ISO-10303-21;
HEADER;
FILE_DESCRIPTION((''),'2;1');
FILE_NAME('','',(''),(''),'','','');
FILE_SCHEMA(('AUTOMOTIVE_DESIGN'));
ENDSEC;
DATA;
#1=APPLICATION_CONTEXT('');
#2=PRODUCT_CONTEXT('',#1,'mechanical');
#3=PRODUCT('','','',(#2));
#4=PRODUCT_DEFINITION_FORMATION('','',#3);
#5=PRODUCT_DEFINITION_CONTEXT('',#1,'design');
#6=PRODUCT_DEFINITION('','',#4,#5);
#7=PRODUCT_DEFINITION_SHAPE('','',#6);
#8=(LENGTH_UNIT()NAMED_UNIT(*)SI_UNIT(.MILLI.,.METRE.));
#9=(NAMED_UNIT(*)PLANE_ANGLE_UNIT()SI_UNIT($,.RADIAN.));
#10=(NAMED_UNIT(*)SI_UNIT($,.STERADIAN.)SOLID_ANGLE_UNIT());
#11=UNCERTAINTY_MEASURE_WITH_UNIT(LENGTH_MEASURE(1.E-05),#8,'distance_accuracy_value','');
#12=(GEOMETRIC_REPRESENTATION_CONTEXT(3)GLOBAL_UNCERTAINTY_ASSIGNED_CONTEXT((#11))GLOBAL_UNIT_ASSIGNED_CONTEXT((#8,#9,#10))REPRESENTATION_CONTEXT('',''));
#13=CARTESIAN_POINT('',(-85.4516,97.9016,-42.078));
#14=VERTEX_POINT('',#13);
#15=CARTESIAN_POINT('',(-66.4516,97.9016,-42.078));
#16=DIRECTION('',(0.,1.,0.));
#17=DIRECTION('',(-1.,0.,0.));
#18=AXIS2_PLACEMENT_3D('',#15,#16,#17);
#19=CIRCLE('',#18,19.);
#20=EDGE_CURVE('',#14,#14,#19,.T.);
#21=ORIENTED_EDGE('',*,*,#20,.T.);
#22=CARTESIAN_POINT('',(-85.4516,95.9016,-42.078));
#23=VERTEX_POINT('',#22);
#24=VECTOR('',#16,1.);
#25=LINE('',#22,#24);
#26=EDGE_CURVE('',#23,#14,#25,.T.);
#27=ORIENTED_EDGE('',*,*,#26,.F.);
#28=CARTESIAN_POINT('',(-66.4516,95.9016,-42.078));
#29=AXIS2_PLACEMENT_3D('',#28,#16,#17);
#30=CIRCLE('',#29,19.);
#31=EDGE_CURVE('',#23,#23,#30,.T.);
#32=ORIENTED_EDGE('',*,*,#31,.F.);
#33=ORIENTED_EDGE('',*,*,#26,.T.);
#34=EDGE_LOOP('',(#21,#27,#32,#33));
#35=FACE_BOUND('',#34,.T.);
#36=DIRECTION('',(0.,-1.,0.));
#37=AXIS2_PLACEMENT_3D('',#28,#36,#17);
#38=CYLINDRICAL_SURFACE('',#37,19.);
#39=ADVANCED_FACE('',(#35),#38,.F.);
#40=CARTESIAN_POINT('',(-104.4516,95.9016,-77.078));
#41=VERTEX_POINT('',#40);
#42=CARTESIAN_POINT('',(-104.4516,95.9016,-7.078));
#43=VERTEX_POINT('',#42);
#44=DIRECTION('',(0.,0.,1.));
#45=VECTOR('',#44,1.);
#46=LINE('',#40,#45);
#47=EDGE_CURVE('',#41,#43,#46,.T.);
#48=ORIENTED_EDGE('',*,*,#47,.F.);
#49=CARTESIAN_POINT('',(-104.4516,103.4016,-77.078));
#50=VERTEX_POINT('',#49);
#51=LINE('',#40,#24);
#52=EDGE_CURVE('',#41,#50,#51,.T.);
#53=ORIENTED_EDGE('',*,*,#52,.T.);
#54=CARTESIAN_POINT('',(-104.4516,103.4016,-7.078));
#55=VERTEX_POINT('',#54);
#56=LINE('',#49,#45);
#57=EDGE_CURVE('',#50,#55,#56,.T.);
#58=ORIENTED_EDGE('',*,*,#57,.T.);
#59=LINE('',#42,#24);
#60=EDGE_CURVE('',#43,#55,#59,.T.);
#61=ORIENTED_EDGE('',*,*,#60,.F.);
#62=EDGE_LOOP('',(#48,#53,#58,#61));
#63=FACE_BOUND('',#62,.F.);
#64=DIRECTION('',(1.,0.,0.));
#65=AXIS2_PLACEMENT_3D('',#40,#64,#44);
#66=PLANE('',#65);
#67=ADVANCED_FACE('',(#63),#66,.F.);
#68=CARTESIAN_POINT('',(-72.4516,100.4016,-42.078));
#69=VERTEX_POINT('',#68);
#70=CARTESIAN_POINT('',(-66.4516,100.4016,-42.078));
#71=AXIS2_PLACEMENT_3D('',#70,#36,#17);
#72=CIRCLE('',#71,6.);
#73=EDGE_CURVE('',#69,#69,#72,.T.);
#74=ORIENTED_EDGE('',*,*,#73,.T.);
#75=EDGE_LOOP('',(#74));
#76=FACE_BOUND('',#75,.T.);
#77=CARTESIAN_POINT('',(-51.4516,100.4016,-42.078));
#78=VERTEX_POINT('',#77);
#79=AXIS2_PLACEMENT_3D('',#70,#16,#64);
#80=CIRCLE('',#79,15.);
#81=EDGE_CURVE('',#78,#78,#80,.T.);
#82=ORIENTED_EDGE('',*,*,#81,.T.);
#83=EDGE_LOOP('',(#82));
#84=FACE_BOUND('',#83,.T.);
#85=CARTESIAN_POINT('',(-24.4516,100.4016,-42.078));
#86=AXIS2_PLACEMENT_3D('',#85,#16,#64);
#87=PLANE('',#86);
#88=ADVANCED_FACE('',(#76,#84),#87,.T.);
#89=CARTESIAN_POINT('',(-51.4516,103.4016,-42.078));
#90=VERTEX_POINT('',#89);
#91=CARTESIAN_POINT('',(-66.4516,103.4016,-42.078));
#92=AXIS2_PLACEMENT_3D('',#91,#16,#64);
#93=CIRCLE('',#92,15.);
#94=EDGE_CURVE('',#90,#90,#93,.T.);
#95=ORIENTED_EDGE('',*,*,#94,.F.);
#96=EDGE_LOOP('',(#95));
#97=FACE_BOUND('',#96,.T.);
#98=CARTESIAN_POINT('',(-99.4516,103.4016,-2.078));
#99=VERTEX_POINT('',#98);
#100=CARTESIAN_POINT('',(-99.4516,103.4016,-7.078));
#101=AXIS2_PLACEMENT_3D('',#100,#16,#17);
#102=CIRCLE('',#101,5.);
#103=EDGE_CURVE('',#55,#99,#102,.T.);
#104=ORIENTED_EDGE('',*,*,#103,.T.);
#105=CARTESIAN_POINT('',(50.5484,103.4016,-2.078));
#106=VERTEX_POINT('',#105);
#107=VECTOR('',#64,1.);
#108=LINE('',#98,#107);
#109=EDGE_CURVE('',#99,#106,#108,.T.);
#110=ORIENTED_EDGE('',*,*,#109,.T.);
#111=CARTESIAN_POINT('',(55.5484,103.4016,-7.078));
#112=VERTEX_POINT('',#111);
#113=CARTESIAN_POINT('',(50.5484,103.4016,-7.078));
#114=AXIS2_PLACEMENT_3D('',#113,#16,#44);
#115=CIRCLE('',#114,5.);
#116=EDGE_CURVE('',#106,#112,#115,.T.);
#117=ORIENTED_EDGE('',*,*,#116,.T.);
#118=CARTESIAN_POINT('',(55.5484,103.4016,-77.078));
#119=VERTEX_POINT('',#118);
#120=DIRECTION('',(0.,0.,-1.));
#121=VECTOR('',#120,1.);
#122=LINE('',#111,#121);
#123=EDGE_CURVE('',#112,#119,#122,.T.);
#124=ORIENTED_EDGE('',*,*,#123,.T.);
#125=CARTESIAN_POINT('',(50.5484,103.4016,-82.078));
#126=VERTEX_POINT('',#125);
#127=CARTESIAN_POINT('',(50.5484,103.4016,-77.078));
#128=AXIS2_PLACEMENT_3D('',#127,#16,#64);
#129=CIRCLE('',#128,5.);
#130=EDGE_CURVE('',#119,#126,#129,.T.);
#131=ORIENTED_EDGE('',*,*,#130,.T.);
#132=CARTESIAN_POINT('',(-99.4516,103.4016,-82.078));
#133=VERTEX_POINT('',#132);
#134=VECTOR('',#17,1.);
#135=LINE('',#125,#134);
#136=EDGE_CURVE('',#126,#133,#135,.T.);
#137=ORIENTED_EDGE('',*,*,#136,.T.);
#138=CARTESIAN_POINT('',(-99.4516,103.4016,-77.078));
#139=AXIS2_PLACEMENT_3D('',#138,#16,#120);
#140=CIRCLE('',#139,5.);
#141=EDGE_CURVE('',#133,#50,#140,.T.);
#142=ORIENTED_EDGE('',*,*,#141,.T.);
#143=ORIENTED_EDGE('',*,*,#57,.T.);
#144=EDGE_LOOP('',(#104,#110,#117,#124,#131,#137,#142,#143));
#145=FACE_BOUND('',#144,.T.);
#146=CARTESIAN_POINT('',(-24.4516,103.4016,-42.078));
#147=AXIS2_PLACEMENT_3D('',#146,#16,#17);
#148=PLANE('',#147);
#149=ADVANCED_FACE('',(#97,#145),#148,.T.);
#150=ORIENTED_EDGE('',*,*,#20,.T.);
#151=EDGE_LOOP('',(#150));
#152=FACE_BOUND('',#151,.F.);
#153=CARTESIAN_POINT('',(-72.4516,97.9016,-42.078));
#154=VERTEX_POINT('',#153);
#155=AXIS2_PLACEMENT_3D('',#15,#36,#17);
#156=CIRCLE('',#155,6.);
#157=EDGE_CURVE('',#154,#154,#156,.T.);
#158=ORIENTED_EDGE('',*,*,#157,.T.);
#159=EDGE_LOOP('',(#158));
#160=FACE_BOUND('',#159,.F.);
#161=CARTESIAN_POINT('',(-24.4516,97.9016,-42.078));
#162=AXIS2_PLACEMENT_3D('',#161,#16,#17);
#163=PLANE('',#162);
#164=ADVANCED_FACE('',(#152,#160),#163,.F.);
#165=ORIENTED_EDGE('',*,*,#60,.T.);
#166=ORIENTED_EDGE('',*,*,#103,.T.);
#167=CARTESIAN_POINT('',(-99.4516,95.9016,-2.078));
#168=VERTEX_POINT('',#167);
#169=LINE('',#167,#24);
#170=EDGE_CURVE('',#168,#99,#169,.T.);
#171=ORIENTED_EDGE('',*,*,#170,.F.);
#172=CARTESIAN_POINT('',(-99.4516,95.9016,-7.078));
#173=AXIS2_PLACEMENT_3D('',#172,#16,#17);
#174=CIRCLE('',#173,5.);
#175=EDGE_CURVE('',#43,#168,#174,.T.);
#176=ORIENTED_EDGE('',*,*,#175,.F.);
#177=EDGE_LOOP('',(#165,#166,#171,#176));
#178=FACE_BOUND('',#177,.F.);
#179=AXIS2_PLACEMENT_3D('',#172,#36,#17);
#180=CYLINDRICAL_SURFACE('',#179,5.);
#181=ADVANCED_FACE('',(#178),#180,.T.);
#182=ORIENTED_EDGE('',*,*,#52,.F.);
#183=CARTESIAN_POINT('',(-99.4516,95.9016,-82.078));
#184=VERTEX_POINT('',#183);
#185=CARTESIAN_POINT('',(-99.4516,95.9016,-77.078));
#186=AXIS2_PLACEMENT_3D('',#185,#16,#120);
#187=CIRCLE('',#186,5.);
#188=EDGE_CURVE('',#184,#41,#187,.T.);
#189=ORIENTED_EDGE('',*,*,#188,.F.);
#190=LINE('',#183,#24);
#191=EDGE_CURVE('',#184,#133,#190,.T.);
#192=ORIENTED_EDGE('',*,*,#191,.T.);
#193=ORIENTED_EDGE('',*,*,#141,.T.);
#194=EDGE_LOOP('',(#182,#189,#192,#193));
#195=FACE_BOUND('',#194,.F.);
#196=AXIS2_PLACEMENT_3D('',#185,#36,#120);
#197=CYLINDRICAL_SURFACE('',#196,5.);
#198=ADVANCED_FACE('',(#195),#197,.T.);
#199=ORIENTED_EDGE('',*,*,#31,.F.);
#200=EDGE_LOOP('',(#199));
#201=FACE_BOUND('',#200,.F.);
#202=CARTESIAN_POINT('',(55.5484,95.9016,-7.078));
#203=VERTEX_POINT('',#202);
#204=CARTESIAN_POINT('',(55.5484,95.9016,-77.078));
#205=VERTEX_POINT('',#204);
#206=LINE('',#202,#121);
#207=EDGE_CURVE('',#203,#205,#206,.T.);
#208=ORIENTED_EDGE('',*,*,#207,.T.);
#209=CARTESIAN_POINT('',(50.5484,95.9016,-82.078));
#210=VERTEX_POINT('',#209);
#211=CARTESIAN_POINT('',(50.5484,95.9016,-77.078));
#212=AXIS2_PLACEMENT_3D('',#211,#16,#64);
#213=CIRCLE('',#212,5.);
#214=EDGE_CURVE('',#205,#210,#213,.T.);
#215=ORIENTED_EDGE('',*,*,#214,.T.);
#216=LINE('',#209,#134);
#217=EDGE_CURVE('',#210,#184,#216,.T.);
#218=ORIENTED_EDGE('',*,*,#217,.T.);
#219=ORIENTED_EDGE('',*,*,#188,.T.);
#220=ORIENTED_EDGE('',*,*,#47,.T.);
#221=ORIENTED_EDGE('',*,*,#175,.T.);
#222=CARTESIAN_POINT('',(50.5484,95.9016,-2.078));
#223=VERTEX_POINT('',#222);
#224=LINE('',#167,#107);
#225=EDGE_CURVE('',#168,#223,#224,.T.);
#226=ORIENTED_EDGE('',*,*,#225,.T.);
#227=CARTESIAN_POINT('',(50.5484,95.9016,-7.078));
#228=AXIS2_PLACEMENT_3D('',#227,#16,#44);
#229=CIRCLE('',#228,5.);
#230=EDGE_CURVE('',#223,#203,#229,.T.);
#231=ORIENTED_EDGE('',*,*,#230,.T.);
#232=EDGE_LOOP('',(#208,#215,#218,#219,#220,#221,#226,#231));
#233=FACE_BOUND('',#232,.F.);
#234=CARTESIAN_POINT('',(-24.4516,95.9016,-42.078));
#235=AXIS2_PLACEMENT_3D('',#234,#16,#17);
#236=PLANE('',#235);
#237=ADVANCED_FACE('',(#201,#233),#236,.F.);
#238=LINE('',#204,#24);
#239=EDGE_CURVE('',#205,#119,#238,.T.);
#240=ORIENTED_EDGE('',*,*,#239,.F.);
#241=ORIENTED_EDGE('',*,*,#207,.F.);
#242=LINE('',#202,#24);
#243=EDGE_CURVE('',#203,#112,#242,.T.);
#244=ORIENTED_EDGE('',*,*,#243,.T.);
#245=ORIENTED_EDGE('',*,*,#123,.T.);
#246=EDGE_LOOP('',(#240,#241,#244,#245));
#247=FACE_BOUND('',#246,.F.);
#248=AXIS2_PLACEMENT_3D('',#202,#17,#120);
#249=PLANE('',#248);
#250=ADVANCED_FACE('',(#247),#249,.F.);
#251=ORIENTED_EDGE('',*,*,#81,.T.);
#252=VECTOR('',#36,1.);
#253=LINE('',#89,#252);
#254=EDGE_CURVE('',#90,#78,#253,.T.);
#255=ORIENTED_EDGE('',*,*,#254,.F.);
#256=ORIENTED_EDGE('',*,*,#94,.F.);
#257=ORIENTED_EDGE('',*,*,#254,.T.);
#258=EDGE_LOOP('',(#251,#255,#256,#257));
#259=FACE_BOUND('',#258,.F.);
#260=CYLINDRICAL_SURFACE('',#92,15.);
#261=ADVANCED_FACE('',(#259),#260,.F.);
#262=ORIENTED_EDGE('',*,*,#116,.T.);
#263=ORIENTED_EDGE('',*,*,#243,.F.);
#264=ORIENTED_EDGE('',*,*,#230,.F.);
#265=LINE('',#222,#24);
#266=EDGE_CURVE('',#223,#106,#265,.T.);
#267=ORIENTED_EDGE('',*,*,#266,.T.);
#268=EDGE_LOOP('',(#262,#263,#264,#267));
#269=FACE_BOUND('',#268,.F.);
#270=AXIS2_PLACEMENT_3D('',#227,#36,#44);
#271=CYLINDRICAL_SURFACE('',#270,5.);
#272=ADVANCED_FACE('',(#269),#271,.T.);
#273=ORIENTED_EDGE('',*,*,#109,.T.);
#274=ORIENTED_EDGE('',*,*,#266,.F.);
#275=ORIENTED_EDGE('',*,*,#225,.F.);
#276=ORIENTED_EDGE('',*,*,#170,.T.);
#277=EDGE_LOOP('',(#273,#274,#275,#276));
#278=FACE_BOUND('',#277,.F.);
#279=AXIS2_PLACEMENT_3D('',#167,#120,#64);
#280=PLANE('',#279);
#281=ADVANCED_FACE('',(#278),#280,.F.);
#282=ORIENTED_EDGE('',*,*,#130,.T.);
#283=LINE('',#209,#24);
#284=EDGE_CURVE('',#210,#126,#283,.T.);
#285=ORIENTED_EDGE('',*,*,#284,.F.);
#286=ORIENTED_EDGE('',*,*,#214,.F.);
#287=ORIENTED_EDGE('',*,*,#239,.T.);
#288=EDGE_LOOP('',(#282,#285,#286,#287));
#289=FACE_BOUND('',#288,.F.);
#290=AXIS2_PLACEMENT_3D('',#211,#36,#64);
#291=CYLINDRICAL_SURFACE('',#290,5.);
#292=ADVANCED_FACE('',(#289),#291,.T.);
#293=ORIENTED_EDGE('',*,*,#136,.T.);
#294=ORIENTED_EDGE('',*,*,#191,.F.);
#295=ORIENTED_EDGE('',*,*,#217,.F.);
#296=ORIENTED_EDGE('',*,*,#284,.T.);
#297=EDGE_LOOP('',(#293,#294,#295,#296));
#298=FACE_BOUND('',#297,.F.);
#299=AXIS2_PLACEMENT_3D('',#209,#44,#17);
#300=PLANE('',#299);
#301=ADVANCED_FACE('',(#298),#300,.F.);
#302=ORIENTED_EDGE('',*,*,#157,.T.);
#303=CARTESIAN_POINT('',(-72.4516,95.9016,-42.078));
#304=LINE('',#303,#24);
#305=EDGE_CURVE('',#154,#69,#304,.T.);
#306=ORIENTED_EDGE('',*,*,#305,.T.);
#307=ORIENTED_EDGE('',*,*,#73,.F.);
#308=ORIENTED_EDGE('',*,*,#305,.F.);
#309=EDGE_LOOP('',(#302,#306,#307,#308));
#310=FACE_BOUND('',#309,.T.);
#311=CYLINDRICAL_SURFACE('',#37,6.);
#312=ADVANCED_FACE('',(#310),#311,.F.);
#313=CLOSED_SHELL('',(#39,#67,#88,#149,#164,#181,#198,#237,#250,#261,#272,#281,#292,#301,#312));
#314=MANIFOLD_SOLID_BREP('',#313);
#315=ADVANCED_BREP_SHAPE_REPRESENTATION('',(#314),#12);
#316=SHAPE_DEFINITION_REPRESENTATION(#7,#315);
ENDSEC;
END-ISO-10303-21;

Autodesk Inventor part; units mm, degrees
ref_plane "YZ Plane" through (0, 0, 0) normal (1, 0, 0) x (0, 1, 0)
ref_plane "XZ Plane" through (0, 0, 0) normal (0, 1, 0) x (-1, 0, 0)
ref_plane "XY Plane" through (0, 0, 0) normal (0, 0, 1) x (1, 0, 0)
ref_plane "Work Plane1" through (-24.4516, 95.9016, -42.078) normal (0, 1, 0) x (-1, 0, 0)
sketch "BaseTop" plane through (-24.4516, 95.9016, -42.078) normal (0, 1, 0) x (-1, 0, 0)
  line L0 (75, 40) -> (-75, 40)
  line L1 (-80, 35) -> (-80, -35)
  line L2 (-75, -40) -> (75, -40)
  line L3 (80, -35) -> (80, 35)
  circle A0 centre (42, 0) radius 6
  arc A1 (80, 35) -> (75, 40) centre (75, 35) ccw
  arc A2 (75, -40) -> (80, -35) centre (75, -35) ccw
  arc A3 (-80, -35) -> (-75, -40) centre (-75, -35) ccw
  arc A4 (-75, 40) -> (-80, 35) centre (-75, 35) ccw
  circle A5 centre (42, 0) radius 19
  point P0 (-24.4516, 42.078)
  dimension "d1" = 12
  dimension "d2" = 5
  dimension "d15" = 38
extrude "Extrusion1" add sketch "BaseTop" along normal blind 7.5 contours A1 L3 A2 L2 A3 L1 A4 L0 | A0 | A5
extrude "Extrusion6" cut sketch "BaseTop" along normal blind 2 contours A0 | A5
sketch "Sketch6" plane through (-24.4516, 103.4016, -42.078) normal (0, 1, 0) x (1, 0, 0)
  circle A0 centre (-42, 0) radius 15
  point P0 (24.4516, -42.078)
  dimension "d20" = 30
extrude "Extrusion7" cut sketch "Sketch6" against normal blind 3
extrude "Extrusion8" cut sketch "BaseTop" along normal through all contours A0
properties part number "BaseTop"
